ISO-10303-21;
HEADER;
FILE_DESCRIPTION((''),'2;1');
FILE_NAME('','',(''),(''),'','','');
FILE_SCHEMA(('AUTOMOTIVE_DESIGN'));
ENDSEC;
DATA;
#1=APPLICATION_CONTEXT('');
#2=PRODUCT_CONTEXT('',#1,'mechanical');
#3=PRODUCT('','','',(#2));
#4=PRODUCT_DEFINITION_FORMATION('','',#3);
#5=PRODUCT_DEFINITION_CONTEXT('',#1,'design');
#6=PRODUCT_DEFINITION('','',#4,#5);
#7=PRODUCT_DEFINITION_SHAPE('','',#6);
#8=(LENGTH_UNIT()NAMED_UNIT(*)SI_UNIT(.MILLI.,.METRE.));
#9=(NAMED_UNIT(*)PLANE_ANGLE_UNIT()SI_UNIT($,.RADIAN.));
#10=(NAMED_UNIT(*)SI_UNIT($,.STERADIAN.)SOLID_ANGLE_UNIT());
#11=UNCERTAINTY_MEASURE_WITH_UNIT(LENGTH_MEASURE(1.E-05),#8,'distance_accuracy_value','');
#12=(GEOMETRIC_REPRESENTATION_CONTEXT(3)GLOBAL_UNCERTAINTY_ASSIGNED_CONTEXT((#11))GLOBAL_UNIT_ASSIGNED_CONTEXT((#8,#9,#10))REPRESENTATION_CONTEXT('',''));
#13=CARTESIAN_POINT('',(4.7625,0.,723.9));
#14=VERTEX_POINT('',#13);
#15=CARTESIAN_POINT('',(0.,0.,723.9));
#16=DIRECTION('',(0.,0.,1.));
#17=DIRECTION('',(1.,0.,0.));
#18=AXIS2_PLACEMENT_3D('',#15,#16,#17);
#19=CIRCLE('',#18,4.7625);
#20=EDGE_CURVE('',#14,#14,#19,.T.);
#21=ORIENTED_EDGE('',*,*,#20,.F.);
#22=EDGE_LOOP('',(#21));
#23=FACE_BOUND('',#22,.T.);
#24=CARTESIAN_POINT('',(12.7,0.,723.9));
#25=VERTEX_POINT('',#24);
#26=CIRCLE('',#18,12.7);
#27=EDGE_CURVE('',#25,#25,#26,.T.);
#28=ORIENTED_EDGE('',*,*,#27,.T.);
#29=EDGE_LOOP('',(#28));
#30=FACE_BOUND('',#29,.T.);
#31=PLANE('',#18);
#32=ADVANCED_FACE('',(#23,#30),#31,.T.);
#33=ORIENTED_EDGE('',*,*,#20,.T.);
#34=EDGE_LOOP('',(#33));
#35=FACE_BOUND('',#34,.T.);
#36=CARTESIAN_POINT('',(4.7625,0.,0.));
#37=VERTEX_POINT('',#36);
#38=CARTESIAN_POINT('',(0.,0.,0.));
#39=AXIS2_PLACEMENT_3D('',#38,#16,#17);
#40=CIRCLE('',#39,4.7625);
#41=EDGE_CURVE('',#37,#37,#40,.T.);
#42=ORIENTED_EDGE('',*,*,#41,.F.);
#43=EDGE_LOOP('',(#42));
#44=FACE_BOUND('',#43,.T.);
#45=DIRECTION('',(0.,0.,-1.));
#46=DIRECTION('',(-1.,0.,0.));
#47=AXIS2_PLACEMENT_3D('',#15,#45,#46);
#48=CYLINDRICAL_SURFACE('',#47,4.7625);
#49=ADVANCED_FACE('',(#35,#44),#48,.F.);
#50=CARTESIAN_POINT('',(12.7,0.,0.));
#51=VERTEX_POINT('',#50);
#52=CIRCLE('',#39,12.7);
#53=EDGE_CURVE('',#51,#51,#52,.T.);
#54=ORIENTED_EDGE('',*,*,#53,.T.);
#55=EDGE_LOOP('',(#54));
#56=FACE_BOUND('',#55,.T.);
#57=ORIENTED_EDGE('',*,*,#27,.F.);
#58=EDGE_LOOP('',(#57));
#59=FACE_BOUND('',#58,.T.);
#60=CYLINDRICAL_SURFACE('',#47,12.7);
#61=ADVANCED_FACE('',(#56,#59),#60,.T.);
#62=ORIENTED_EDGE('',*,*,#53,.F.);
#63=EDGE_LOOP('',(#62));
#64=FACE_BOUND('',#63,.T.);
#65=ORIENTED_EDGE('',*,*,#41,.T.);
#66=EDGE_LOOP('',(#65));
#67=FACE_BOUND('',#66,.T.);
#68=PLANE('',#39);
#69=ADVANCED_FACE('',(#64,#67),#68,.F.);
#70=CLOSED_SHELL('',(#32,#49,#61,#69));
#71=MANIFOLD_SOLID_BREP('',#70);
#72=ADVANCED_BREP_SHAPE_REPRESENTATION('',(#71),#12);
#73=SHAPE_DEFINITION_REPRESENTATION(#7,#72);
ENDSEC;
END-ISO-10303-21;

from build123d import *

# Parameters (mm, degrees)
SKETCH1_R           = 12.7
SKETCH1_R_2         = 4.7625
BOSS_EXTRUDE1_DEPTH = 723.9


with BuildPart() as part:
    # Sketch1 → Boss-Extrude1 (new body)
    with BuildSketch(Plane.XY):
        Circle(SKETCH1_R)
        Circle(SKETCH1_R_2, mode=Mode.SUBTRACT)
    extrude(amount=BOSS_EXTRUDE1_DEPTH)


solid = part.part
